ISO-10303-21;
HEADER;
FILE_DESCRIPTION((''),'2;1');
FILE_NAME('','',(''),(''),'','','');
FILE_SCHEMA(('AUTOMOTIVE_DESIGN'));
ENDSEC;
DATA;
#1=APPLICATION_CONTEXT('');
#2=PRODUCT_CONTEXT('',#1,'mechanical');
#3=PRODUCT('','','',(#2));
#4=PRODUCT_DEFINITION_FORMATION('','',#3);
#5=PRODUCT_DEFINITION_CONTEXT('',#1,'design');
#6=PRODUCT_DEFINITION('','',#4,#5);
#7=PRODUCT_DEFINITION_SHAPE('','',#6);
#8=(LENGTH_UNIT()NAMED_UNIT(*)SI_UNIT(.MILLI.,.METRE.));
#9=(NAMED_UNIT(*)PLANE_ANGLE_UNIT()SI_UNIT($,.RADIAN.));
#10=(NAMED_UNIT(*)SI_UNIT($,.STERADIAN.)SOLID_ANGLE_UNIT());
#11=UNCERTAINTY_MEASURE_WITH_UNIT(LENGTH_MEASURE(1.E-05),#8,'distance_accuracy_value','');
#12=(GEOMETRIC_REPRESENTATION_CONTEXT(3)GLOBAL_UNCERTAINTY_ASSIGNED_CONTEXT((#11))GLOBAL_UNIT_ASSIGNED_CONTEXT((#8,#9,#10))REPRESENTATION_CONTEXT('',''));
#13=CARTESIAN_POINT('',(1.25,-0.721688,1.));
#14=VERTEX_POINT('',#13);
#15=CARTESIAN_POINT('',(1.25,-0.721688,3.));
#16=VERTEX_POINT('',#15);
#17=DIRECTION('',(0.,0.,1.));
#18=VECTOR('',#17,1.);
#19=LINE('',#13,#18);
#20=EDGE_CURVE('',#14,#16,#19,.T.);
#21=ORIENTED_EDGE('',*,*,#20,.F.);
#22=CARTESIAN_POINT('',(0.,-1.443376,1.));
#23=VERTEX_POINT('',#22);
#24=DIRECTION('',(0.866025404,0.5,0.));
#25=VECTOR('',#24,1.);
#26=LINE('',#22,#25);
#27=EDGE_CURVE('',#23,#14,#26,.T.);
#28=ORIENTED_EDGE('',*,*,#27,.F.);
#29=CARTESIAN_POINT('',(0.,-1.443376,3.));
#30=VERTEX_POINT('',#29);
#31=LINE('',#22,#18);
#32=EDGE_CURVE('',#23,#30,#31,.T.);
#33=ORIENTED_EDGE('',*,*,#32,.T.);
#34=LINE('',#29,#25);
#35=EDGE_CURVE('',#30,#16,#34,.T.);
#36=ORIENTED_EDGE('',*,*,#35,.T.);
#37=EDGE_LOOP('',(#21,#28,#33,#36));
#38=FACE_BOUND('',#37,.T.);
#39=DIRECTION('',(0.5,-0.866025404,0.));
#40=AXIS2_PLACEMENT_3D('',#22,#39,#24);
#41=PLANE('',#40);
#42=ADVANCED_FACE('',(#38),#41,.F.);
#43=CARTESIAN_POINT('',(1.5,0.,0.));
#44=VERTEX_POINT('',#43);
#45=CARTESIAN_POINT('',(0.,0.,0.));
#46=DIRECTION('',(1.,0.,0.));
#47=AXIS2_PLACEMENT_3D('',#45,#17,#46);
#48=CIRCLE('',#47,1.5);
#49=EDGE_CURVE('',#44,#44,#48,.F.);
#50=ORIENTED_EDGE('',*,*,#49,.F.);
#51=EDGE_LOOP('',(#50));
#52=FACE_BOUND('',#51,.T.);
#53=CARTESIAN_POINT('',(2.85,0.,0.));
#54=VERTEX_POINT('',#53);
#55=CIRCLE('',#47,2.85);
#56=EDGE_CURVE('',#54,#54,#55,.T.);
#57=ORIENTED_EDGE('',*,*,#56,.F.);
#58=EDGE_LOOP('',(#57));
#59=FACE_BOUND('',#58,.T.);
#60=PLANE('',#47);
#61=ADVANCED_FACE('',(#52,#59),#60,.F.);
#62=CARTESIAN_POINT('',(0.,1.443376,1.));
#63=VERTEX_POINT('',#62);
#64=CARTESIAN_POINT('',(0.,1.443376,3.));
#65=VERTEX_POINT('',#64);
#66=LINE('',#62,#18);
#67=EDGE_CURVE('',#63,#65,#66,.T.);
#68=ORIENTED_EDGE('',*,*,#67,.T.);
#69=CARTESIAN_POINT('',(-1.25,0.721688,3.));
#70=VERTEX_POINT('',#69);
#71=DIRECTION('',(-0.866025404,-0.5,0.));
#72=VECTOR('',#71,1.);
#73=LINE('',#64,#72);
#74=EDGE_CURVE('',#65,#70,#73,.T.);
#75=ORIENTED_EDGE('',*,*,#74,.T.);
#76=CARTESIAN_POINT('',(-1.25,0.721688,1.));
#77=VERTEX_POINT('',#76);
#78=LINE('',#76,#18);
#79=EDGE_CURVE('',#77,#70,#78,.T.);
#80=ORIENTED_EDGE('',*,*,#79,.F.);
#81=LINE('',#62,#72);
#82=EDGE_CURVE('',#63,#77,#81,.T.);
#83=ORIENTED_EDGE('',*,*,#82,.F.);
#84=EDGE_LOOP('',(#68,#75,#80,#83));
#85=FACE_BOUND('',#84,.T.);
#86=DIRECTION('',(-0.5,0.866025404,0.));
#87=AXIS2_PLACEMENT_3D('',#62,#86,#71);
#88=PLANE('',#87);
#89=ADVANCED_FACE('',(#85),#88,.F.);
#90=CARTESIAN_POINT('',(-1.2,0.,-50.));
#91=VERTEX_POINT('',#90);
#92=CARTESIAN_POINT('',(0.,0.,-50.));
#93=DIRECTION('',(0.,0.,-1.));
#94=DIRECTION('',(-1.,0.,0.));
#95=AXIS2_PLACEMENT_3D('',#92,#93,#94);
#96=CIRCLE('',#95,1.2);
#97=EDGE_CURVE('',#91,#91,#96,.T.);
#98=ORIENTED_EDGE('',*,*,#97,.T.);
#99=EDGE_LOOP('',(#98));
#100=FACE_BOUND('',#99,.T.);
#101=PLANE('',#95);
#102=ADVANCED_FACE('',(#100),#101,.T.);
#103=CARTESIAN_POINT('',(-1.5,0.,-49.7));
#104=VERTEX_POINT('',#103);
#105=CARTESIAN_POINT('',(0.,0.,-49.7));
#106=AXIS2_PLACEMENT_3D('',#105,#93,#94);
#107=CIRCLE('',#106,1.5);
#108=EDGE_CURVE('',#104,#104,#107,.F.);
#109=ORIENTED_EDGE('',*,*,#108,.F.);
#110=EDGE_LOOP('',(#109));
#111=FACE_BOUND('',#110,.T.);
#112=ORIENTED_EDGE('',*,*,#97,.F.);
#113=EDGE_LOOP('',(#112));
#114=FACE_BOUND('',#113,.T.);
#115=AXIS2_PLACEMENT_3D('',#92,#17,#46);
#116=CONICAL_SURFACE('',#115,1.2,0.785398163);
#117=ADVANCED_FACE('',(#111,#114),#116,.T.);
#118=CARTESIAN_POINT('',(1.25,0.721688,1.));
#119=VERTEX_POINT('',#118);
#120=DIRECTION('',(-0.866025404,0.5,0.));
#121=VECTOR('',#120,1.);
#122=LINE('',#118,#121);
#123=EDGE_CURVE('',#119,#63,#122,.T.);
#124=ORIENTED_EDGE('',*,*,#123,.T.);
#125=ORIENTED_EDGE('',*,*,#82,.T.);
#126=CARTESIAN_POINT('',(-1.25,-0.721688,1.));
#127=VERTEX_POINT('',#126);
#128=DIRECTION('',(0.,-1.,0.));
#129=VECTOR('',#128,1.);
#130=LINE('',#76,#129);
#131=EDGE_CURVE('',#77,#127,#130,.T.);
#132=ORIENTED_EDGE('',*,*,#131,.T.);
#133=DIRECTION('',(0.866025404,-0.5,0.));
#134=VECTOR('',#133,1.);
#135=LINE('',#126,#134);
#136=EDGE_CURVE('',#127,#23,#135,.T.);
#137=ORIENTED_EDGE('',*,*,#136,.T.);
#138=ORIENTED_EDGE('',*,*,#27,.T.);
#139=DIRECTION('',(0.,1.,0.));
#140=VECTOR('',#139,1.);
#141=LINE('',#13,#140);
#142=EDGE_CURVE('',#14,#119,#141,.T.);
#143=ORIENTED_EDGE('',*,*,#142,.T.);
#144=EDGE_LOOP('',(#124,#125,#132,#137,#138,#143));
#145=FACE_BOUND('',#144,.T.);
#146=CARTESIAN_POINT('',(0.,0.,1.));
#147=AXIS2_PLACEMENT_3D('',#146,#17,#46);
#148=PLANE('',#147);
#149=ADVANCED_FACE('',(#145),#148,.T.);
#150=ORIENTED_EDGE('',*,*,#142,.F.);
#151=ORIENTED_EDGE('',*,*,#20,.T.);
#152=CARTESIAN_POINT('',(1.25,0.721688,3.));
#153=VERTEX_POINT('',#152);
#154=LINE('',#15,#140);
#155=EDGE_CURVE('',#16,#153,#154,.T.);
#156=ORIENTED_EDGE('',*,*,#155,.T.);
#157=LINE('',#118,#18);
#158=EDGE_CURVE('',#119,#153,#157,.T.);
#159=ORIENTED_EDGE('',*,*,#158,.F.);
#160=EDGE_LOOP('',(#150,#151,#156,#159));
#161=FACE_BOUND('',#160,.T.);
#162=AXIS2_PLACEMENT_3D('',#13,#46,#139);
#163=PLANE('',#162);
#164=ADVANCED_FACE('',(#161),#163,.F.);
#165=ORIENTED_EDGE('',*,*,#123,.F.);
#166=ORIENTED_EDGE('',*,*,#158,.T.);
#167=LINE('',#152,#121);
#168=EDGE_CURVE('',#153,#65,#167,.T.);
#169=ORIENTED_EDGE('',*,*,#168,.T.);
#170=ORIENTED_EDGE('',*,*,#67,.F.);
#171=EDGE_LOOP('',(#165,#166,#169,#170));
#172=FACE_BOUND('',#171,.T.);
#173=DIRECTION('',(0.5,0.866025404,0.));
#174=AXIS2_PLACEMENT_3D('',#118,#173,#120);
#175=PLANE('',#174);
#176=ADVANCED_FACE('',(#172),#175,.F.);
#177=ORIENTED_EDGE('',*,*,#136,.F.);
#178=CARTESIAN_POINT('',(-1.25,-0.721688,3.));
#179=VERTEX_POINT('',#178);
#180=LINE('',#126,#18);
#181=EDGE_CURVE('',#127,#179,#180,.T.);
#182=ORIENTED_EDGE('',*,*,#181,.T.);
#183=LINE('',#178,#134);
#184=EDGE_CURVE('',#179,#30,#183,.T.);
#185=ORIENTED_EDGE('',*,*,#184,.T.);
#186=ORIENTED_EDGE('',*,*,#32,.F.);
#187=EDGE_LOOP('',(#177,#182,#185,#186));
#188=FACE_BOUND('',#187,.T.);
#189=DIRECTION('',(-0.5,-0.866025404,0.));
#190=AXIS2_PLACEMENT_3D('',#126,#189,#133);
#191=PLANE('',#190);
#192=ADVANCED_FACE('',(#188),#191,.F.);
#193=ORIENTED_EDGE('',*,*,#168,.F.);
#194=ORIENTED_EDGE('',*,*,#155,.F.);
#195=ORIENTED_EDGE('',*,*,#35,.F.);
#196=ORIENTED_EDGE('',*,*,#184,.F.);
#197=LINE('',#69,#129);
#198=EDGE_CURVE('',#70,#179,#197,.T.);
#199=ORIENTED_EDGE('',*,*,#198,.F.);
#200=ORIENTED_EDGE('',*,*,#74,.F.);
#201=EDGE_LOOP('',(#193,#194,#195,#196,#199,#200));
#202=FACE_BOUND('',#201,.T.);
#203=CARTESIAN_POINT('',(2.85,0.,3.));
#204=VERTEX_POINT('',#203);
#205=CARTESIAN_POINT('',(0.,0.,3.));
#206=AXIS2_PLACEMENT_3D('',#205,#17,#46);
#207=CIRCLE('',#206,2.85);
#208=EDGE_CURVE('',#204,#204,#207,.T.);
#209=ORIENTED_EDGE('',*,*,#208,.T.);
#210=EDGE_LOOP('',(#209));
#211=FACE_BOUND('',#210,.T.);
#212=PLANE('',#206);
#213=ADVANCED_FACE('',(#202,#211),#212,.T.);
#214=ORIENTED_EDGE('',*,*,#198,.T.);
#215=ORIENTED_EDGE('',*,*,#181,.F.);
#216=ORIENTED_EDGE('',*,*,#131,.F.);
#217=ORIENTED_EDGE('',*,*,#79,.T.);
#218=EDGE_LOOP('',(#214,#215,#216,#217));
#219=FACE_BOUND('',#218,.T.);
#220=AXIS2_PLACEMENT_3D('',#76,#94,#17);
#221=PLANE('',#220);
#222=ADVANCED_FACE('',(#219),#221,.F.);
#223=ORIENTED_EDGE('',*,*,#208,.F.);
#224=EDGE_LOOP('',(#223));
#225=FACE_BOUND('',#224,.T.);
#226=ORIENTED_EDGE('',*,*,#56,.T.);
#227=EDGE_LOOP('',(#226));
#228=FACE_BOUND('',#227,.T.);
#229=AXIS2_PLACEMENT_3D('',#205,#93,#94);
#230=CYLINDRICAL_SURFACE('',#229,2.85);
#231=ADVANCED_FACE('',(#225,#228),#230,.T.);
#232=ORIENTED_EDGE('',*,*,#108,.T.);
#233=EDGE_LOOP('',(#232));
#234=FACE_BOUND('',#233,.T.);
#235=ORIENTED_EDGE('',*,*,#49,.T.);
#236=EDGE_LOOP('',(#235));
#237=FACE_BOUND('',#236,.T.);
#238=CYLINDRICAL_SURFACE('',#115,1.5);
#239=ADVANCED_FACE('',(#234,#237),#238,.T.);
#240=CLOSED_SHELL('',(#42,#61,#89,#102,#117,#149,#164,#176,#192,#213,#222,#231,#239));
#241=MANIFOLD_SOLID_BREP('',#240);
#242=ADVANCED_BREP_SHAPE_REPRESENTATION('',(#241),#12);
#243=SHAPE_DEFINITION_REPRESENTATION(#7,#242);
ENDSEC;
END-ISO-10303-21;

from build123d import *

# Parameters (mm, degrees)
SKETCH1_R           = 2.85
BOSS_EXTRUDE1_DEPTH = 3
SKETCH2_R           = 1.5
BOSS_EXTRUDE2_DEPTH = 50
CHAMFER1_SIZE       = 0.3
CUT_EXTRUDE1_DEPTH  = 2


with BuildPart() as part:
    # Sketch1 → Boss-Extrude1 (new body)
    with BuildSketch(Plane.XY):
        Circle(SKETCH1_R)
    extrude(amount=BOSS_EXTRUDE1_DEPTH)

    # Sketch2 → Boss-Extrude2 (add)
    with BuildSketch(Plane(origin=(0, 0, 0), x_dir=(-1, 0, 0), z_dir=(0, 0, -1))):
        Circle(SKETCH2_R)
    extrude(amount=BOSS_EXTRUDE2_DEPTH)

    # Chamfer1
    chamfer1_edges = [part.edges().sort_by_distance(p)[0] for p in [
        (1.5, 0, -50),
    ]]
    chamfer(chamfer1_edges, length=CHAMFER1_SIZE)

    # Sketch3 → Cut-Extrude1 (cut)
    with BuildSketch(Plane.XY.offset(3)):
        Polygon((0, 1.443375673), (-1.25, 0.721687836), (-1.25, -0.721687836), (0, -1.443375673), (1.25, -0.721687836), (1.25, 0.721687836), align=None)
    extrude(amount=-CUT_EXTRUDE1_DEPTH, mode=Mode.SUBTRACT)


solid = part.part
